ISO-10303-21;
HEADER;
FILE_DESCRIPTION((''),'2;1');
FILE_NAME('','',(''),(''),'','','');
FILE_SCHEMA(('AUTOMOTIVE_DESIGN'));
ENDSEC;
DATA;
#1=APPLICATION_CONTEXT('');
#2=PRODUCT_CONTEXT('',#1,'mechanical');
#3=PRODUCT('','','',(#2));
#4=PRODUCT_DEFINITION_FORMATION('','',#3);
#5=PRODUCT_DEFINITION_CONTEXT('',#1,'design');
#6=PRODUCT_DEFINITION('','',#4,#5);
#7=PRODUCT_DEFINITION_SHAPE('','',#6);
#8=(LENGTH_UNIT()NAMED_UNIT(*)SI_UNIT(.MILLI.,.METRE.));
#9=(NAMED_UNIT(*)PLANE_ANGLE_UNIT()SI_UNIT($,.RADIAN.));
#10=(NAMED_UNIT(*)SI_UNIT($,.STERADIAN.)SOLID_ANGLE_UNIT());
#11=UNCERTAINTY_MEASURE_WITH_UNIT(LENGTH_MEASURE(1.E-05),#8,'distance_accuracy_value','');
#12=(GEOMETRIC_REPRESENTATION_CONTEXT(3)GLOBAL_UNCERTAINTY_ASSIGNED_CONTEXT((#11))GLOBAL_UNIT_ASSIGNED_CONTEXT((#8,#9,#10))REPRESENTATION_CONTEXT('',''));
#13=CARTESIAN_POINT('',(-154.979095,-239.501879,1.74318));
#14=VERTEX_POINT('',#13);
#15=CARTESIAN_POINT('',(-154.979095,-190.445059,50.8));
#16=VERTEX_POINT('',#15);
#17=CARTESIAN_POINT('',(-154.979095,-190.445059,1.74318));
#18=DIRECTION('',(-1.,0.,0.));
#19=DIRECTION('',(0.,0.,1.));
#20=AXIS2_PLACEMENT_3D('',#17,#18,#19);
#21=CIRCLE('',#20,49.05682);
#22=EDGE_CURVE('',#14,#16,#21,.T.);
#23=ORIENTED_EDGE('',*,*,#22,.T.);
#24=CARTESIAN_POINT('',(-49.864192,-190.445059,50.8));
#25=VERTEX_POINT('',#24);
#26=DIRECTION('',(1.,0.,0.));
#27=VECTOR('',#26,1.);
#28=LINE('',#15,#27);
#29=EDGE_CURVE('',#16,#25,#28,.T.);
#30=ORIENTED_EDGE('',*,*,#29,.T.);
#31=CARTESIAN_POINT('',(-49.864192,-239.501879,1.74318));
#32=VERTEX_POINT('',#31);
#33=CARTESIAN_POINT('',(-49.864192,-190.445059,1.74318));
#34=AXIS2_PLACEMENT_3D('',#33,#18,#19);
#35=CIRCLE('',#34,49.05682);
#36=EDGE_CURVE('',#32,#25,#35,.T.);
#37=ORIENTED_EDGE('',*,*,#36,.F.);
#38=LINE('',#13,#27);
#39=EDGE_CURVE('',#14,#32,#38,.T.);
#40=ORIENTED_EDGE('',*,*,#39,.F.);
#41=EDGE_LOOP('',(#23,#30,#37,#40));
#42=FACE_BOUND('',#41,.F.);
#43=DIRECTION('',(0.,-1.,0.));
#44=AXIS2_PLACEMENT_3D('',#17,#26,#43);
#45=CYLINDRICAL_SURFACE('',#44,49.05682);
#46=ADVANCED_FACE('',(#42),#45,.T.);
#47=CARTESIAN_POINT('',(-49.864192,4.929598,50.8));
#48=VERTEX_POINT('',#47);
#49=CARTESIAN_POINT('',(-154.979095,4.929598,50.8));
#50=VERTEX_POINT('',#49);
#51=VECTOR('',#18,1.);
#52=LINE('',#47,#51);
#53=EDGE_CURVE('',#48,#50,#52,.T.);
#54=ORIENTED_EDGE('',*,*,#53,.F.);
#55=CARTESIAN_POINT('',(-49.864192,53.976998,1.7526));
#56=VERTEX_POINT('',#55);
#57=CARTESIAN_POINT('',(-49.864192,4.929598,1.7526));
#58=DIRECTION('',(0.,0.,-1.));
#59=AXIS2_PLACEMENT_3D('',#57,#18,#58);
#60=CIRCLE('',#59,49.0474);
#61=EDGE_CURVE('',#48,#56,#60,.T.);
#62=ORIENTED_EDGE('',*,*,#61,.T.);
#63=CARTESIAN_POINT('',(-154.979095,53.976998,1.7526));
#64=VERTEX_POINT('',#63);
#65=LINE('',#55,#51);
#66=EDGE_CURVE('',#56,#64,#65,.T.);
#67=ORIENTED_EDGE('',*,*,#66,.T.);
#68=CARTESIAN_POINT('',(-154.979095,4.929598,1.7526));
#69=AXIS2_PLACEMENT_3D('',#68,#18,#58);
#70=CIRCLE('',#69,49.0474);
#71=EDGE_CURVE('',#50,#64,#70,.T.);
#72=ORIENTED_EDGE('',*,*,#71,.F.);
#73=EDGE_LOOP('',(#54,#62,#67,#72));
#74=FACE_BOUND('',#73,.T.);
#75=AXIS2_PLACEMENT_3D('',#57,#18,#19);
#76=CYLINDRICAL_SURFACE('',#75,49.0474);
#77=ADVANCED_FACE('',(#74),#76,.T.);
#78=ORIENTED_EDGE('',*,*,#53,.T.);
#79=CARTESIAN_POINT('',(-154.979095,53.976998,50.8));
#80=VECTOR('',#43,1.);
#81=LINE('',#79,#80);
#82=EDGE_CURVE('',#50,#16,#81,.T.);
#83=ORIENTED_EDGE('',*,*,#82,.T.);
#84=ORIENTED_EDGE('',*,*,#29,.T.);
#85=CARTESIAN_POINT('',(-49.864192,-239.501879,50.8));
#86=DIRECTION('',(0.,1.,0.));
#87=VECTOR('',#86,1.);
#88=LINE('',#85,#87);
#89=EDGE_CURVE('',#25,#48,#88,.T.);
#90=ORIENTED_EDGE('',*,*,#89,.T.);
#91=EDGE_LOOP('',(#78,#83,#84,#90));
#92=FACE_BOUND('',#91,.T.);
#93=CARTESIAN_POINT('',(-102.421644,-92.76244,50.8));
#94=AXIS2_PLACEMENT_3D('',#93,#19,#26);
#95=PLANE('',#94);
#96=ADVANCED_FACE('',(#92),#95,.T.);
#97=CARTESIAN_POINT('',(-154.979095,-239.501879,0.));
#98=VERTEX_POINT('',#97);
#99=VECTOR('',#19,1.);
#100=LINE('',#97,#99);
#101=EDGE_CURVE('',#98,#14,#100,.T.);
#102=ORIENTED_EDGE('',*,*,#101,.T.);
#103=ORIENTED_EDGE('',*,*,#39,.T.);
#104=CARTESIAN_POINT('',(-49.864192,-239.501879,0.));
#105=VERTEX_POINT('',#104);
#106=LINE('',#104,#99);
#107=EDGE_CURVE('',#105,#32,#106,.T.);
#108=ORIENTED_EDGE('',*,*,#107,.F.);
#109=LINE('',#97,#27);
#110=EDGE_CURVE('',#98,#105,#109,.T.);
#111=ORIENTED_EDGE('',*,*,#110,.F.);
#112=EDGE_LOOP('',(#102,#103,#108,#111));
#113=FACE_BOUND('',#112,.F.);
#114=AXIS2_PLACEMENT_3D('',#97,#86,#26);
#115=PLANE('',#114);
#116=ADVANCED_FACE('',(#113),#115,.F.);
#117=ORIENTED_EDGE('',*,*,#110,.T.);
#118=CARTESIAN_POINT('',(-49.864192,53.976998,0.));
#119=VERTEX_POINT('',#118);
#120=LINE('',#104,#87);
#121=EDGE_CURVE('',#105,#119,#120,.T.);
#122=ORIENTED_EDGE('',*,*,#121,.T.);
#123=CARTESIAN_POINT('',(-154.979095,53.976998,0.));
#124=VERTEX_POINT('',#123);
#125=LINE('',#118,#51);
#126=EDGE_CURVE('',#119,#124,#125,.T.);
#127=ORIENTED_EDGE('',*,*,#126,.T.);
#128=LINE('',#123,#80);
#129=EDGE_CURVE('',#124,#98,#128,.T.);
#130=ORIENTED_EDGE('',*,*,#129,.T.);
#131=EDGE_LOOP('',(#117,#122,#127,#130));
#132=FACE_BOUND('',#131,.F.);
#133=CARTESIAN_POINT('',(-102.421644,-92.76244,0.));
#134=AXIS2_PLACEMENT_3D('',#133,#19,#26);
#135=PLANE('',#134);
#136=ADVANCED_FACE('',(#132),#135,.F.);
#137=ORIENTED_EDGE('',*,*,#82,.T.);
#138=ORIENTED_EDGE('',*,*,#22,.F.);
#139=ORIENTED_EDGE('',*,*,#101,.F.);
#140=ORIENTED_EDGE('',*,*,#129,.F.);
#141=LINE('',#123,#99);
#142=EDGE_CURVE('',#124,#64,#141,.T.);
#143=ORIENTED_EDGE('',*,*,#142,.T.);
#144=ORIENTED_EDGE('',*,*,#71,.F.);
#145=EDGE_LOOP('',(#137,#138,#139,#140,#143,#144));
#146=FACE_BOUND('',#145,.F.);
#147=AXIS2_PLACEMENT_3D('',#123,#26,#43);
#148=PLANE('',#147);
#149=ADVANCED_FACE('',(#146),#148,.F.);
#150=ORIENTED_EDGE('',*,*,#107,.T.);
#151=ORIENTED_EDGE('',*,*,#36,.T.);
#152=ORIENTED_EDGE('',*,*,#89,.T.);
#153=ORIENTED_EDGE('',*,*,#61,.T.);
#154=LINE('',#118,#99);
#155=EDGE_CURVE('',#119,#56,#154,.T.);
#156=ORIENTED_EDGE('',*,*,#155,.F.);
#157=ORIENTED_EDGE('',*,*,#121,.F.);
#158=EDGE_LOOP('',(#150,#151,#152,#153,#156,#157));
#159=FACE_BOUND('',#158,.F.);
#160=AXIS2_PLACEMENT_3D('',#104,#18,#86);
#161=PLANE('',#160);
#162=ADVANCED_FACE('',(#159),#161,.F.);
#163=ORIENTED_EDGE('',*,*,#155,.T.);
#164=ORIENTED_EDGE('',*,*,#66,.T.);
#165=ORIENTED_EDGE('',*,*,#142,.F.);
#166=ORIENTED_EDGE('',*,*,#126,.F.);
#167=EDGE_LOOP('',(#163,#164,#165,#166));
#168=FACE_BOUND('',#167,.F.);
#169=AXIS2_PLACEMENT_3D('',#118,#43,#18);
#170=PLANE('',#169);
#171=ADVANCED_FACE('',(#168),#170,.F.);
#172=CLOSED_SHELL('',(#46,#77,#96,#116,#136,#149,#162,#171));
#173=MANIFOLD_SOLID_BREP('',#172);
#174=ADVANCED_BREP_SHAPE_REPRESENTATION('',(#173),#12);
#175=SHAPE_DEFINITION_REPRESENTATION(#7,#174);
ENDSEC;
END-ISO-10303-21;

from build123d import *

# Parameters (mm, degrees)
F1_DEPTH = 50.8
F2_R     = 49.05682
F3_R     = 49.0474


with BuildPart() as f1:
    # F0 (on Top) → F1 (new body)
    with BuildSketch(Plane.XY):
        Polygon((-49.864192, 53.976998), (-154.979095, 53.976998), (-154.979095, -239.501879), (-49.864192, -239.501879), (-49.864192, -202.062055), align=None)
    extrude(amount=F1_DEPTH)

    # F2
    f2_edges = [f1.edges().sort_by_distance(p)[0] for p in [
        (-102.421643, -239.501879, 50.8),
    ]]
    fillet(f2_edges, radius=F2_R)

    # F3
    f3_edges = [f1.edges().sort_by_distance(p)[0] for p in [
        (-102.421643, 53.976998, 50.8),
    ]]
    fillet(f3_edges, radius=F3_R)


solid = f1.part
